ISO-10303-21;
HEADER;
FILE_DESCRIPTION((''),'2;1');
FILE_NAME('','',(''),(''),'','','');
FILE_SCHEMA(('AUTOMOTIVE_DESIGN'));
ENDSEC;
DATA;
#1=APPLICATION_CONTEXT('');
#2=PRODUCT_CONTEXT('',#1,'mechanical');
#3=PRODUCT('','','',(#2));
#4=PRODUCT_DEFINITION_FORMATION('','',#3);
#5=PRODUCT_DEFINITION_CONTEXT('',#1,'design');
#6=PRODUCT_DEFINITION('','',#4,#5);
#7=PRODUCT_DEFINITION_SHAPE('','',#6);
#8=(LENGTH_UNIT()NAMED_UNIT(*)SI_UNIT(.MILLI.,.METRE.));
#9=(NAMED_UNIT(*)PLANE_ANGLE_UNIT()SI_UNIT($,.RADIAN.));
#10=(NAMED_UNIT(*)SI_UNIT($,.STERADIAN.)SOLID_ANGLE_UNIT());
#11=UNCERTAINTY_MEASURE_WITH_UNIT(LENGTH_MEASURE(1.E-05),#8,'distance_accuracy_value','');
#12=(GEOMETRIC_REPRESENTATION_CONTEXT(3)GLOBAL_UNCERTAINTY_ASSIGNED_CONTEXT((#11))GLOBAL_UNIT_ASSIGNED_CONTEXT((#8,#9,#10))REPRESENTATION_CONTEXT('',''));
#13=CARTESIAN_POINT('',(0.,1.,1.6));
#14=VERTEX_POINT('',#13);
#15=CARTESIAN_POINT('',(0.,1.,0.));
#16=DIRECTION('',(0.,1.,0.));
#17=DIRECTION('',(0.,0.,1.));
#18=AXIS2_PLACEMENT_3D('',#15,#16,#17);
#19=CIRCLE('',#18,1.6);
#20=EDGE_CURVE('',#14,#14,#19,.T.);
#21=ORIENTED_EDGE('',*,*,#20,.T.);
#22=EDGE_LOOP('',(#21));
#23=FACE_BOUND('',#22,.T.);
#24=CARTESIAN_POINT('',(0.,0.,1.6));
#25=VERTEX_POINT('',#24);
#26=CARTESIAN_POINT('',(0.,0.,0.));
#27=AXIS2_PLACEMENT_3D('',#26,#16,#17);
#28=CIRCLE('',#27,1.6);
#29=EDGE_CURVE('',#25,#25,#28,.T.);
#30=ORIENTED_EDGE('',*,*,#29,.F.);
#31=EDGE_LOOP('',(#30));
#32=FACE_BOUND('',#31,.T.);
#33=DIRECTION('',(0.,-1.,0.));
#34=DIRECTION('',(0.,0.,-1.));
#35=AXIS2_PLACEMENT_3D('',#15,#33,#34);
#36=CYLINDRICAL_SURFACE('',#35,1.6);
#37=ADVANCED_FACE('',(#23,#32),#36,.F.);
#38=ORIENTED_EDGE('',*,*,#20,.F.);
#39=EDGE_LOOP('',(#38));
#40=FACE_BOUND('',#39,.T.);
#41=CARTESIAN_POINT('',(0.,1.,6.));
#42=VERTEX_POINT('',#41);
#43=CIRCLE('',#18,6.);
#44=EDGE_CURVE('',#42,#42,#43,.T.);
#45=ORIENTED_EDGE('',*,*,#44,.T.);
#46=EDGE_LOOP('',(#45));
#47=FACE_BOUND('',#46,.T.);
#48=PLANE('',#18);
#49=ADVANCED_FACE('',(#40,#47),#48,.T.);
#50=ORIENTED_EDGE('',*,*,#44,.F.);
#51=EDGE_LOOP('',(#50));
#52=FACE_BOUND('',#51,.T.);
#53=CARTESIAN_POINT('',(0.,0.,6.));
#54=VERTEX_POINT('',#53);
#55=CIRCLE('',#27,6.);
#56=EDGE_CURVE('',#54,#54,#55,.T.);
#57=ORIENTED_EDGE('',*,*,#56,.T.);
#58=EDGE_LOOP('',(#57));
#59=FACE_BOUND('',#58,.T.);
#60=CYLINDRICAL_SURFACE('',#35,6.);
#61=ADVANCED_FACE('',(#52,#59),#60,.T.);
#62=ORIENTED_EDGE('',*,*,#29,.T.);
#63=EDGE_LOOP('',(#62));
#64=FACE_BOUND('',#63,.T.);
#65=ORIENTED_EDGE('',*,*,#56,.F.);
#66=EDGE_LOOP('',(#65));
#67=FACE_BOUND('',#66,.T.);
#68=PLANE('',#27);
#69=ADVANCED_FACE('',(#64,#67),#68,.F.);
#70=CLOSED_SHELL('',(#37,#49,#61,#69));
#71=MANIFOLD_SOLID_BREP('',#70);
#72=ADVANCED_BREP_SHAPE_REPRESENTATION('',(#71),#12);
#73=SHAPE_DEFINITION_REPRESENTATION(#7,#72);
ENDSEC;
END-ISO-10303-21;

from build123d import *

# Parameters (mm, degrees)
SKETCH_1_R      = 6
SKETCH_1_R_2    = 1.6
EXTRUDE_1_DEPTH = 1


with BuildPart() as part:
    # 草图1 → 凸台-拉伸1 (new body)
    with BuildSketch(Plane(origin=(0, 0, 0), x_dir=(1, 0, 0), z_dir=(0, 1, 0))):
        Circle(SKETCH_1_R)
        Circle(SKETCH_1_R_2, mode=Mode.SUBTRACT)
    extrude(amount=EXTRUDE_1_DEPTH)


solid = part.part
